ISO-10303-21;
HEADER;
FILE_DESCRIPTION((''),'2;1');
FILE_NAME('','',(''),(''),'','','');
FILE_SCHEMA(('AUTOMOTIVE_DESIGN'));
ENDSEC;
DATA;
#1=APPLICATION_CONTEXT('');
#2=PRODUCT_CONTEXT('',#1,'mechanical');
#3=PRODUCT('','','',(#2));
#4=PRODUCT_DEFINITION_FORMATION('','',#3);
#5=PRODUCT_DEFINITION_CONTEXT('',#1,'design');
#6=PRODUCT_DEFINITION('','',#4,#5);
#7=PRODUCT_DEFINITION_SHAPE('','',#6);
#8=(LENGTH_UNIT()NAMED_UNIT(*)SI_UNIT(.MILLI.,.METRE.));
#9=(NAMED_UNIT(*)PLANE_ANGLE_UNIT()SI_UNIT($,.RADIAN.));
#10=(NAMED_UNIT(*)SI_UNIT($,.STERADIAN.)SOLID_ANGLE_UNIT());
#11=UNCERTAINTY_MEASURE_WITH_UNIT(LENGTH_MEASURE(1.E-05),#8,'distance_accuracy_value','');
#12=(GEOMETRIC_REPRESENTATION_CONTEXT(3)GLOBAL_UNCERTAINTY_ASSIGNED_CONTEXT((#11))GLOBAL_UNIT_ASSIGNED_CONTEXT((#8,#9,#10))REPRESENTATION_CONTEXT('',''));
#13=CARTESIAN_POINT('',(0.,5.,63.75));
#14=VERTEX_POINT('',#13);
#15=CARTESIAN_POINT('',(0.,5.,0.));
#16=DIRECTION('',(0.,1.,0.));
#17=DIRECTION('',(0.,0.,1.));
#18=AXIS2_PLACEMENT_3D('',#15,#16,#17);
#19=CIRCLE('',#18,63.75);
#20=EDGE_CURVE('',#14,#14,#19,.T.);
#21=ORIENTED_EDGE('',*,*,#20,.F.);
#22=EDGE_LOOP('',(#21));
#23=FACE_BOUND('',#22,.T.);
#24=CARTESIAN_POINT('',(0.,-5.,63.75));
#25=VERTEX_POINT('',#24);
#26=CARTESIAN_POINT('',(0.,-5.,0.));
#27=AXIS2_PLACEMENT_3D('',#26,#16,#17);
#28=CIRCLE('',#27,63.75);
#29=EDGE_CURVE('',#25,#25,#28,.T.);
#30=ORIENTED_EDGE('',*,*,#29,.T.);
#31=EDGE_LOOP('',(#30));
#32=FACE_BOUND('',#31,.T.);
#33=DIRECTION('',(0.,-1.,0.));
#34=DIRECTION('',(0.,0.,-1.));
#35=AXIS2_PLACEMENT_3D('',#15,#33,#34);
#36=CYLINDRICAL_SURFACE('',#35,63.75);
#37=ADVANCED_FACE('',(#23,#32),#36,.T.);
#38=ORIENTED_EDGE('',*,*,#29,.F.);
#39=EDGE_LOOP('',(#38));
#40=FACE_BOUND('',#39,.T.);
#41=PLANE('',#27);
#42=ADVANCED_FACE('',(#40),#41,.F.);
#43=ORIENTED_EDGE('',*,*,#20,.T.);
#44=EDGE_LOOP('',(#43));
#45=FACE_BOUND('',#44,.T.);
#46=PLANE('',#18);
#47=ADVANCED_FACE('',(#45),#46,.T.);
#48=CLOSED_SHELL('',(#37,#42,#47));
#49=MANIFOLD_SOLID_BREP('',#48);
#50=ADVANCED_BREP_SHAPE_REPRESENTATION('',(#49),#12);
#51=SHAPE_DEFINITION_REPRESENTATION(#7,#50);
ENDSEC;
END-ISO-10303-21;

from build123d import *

# Parameters (mm, degrees)
SKETCH2_R           = 63.75
BOSS_EXTRUDE1_DEPTH = 5


with BuildPart() as part:
    # Sketch2 → Boss-Extrude1 (new body, symmetric)
    with BuildSketch(Plane(origin=(0, 0, 0), x_dir=(1, 0, 0), z_dir=(0, 1, 0))):
        Circle(SKETCH2_R)
    extrude(amount=BOSS_EXTRUDE1_DEPTH, both=True)


solid = part.part
